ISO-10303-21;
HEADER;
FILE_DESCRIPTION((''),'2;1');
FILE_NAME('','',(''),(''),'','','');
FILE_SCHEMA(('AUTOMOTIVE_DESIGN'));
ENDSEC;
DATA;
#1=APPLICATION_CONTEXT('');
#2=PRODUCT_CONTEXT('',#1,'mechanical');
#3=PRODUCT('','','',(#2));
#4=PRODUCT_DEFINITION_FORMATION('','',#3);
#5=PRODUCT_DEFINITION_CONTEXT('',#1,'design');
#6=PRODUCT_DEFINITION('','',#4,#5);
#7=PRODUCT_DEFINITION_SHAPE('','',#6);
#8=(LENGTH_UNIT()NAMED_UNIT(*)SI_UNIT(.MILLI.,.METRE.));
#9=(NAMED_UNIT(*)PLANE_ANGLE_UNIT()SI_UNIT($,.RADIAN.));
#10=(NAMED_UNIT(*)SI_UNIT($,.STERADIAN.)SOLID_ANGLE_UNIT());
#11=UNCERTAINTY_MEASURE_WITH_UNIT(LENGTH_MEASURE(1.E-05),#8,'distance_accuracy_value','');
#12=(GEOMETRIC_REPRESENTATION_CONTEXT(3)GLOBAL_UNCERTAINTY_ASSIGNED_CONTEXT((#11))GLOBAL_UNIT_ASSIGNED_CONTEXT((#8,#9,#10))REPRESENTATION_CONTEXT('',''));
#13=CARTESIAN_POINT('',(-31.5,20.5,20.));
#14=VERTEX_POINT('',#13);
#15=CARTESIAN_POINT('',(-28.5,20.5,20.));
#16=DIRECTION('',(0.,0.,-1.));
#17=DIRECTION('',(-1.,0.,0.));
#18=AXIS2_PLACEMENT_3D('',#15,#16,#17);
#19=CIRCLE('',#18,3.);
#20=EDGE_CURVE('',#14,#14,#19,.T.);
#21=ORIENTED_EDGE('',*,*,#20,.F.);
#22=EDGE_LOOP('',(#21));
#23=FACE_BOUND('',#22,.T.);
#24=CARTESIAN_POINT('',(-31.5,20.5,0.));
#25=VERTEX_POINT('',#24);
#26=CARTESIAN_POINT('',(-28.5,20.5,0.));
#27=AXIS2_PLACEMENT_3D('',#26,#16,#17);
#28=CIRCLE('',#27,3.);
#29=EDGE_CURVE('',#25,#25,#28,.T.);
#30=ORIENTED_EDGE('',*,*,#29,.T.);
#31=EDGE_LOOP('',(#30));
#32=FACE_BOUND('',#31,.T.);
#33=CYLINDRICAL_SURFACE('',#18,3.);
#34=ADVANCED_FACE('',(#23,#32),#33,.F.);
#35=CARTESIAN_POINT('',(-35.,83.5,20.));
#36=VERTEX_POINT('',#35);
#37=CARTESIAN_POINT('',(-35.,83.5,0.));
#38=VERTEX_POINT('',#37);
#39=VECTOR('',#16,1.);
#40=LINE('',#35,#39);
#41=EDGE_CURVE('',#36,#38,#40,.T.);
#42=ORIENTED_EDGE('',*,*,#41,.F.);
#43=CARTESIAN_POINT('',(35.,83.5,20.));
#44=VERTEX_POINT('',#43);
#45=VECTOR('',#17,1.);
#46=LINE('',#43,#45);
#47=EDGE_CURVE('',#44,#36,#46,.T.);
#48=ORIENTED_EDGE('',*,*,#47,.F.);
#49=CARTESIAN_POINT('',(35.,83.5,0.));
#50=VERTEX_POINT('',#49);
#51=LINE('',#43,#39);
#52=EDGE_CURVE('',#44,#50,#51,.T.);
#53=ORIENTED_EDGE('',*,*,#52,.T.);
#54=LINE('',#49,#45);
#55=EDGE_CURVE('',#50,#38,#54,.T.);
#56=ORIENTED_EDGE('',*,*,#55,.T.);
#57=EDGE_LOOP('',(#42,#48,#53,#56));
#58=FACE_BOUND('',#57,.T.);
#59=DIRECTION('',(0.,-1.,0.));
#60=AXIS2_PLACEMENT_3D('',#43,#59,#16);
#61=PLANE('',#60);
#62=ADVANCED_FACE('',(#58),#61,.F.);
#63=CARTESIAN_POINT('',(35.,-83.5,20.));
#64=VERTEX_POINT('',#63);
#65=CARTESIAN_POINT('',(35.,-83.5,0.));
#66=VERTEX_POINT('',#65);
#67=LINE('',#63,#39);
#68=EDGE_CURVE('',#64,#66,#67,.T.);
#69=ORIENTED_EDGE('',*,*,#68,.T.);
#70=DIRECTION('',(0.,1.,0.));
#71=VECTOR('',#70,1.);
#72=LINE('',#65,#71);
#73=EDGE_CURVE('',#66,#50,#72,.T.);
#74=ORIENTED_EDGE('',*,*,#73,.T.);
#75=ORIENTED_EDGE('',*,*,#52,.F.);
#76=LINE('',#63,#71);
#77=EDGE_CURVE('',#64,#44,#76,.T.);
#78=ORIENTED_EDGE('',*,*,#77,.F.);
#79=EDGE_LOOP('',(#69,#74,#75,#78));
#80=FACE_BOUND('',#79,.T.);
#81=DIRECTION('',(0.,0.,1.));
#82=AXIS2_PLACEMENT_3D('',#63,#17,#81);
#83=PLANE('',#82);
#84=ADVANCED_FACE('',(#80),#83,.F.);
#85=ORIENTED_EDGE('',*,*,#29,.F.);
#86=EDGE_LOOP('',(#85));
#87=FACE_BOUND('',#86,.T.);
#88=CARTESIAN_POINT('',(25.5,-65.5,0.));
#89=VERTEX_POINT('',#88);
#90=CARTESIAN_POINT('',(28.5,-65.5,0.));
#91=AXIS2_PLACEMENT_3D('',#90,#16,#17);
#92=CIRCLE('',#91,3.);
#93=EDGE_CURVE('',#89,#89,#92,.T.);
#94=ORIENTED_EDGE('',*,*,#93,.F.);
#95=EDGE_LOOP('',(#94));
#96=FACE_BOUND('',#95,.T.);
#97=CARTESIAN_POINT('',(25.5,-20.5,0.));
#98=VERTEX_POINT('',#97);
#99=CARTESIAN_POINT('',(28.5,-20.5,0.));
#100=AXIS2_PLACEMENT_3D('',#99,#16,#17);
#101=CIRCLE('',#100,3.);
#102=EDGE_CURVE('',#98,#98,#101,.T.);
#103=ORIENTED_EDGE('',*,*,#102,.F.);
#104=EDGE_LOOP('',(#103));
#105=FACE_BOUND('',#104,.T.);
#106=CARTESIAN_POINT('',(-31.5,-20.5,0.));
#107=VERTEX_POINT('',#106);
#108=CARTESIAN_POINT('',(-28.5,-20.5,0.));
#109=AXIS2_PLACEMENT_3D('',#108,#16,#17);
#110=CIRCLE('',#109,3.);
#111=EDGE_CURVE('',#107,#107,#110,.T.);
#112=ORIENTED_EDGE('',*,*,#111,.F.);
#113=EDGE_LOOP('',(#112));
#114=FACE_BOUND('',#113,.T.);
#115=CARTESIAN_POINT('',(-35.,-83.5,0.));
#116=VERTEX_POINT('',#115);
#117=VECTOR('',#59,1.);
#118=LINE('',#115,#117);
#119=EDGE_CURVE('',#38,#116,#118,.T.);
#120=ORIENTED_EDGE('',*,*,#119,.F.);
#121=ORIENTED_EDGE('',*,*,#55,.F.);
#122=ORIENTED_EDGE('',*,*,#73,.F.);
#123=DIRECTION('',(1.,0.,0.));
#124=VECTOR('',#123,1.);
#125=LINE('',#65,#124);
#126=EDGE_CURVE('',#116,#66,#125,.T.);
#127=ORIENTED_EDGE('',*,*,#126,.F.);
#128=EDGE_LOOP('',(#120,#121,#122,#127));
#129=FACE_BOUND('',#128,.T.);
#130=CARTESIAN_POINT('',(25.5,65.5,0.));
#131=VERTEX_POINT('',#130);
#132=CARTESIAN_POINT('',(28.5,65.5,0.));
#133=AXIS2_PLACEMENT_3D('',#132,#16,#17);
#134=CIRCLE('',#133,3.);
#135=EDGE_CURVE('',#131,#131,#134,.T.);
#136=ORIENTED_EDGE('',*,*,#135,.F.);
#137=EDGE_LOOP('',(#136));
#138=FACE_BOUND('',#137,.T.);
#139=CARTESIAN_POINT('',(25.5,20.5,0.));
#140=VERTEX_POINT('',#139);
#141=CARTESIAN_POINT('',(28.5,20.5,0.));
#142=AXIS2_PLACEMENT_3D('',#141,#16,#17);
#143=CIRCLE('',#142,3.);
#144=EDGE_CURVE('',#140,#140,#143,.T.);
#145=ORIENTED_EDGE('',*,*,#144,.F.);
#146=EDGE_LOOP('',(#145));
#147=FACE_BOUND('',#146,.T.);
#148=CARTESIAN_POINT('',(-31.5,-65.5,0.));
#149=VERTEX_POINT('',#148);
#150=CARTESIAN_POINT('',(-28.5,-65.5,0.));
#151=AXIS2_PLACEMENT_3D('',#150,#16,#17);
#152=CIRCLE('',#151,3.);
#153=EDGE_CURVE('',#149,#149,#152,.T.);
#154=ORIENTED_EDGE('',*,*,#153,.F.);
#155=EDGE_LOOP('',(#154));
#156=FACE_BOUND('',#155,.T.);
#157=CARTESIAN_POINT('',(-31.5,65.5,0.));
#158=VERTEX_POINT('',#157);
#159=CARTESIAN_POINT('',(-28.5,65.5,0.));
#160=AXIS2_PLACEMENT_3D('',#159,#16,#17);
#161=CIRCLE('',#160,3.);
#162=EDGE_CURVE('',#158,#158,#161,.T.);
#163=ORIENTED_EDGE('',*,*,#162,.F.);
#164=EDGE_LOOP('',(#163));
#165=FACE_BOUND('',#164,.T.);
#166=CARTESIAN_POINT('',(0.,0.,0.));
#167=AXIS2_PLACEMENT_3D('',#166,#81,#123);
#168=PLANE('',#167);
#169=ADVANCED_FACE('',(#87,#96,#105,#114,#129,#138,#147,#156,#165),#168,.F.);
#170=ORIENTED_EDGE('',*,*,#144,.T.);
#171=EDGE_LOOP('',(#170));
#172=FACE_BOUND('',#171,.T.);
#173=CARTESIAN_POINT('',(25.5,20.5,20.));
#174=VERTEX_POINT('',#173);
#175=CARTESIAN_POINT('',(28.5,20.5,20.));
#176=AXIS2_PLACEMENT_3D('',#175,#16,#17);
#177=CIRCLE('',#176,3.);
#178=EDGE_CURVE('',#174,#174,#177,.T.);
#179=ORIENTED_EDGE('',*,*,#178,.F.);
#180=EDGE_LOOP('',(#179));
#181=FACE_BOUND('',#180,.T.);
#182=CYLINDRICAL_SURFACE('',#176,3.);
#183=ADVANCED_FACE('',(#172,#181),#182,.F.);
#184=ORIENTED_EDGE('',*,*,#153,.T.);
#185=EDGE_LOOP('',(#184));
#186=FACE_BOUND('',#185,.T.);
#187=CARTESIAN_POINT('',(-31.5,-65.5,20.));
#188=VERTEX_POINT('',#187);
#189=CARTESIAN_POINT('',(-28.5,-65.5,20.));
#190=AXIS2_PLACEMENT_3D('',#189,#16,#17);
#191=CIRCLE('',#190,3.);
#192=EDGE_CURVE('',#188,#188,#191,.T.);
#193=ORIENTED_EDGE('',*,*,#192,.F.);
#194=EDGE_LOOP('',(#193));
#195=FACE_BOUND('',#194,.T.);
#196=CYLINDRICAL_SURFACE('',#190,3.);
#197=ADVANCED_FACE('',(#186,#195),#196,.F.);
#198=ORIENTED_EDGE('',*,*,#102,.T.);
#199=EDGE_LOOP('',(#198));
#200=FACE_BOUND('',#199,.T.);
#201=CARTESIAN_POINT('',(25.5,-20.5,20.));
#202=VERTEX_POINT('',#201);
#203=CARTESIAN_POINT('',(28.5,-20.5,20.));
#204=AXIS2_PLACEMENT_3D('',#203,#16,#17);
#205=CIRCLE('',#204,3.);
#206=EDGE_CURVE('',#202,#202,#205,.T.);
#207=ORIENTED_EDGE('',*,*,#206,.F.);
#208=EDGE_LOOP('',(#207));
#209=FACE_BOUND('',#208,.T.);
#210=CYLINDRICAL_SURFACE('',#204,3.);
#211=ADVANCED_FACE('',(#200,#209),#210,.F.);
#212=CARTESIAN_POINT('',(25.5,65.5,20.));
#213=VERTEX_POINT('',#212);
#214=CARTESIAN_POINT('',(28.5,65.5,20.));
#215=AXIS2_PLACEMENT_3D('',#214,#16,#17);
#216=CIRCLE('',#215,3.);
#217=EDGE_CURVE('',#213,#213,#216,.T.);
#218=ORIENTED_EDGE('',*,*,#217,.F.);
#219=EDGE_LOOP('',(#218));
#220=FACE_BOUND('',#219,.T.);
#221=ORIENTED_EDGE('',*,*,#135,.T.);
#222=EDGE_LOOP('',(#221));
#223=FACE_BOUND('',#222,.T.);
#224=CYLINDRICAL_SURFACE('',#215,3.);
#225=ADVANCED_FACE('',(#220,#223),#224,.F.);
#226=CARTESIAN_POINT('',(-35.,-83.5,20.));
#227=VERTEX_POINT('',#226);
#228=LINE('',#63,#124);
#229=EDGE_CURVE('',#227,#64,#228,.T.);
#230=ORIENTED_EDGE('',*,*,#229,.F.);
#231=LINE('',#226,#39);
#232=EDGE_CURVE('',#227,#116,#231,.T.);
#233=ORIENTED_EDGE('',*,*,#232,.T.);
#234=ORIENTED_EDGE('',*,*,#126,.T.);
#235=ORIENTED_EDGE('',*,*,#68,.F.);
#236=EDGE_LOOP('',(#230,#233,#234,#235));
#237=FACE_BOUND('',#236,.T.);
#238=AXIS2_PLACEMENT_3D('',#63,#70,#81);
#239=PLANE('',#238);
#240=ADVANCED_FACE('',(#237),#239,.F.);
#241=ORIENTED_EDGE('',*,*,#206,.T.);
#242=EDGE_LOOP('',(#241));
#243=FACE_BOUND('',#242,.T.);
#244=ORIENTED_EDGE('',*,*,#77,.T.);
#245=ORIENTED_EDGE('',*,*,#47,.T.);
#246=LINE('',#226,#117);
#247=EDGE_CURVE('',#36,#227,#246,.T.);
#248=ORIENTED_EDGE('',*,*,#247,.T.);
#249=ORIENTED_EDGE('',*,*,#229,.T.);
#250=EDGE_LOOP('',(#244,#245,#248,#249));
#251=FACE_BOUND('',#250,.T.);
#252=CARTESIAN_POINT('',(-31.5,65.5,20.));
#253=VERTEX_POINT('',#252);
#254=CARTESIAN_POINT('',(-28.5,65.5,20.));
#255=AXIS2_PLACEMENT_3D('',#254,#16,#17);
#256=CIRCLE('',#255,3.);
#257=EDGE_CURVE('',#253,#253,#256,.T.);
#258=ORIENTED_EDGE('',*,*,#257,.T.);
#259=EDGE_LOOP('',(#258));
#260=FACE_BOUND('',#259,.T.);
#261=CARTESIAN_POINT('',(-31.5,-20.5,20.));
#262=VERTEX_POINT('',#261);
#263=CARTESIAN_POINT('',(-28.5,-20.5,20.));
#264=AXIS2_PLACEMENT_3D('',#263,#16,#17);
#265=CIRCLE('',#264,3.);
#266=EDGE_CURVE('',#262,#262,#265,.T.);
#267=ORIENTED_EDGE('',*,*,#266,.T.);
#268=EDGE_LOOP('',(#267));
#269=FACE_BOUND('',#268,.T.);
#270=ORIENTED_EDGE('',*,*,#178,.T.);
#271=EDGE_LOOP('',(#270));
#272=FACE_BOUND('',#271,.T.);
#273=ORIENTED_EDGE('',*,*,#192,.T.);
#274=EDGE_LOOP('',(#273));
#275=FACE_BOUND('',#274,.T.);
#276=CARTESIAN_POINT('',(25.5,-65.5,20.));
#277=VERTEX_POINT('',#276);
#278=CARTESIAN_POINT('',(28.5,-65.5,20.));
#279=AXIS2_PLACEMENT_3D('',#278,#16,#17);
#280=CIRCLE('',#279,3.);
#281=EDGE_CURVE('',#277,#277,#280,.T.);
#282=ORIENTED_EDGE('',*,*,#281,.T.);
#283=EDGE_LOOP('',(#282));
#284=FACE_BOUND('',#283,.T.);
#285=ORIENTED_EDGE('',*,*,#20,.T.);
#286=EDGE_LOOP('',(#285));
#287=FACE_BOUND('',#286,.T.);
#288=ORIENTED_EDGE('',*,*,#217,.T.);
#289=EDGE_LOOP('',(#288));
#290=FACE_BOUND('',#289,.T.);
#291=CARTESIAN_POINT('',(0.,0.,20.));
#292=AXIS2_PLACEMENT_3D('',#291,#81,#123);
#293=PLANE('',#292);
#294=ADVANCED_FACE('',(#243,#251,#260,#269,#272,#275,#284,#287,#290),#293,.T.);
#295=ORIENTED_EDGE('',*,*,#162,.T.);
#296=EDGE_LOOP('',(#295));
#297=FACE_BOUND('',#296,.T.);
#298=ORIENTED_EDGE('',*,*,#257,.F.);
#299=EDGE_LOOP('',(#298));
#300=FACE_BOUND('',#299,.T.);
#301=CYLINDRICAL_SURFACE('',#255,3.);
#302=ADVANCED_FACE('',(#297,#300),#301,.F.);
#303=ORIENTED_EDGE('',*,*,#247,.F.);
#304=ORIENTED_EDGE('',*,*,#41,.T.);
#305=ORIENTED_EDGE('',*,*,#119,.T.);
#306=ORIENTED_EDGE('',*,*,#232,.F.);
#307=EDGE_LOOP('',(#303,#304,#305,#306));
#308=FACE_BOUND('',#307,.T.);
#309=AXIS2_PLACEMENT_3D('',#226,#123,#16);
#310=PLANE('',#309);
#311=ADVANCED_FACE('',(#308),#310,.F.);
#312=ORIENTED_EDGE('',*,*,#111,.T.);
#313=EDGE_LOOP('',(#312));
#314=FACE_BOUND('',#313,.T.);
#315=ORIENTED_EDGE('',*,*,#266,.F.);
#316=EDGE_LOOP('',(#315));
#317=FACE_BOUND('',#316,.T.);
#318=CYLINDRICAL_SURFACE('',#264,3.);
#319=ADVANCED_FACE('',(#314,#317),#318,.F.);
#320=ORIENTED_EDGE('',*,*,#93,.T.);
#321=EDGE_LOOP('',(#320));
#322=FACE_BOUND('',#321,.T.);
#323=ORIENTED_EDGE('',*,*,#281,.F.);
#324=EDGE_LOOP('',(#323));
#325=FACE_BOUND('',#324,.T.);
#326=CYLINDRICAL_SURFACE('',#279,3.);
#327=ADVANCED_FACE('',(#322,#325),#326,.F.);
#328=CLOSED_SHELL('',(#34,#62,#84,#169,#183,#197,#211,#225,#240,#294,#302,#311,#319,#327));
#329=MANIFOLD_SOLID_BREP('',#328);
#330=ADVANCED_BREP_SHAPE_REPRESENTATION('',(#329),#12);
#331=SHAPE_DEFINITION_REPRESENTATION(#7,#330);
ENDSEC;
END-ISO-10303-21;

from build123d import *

# Parameters (mm, degrees)
SCHIZZO1_W                   = 70
SCHIZZO1_H                   = 167
ESTRUSIONE_ESTRUSIONE1_DEPTH = 20
SCHIZZO2_R                   = 3
TAGLIO_ESTRUSIONE1_DEPTH     = 20


with BuildPart() as part:
    # Schizzo1 → Estrusione-Estrusione1 (new body)
    with BuildSketch(Plane.XY):
        Rectangle(SCHIZZO1_W, SCHIZZO1_H)
    extrude(amount=ESTRUSIONE_ESTRUSIONE1_DEPTH)

    # Schizzo2 → Taglio-Estrusione1 (cut)
    with BuildSketch(Plane(origin=(0, 0, 0), x_dir=(-1, 0, 0), z_dir=(0, 0, -1))):
        with Locations((-28.5, 65.5)):
            Circle(SCHIZZO2_R)
        with Locations((28.5, 65.5)):
            Circle(SCHIZZO2_R)
        with Locations((-28.5, 20.5)):
            Circle(SCHIZZO2_R)
        with Locations((28.5, 20.5)):
            Circle(SCHIZZO2_R)
        with Locations((-28.5, -20.5)):
            Circle(SCHIZZO2_R)
        with Locations((28.5, -20.5)):
            Circle(SCHIZZO2_R)
        with Locations((-28.5, -65.5)):
            Circle(SCHIZZO2_R)
        with Locations((28.5, -65.5)):
            Circle(SCHIZZO2_R)
    extrude(amount=-TAGLIO_ESTRUSIONE1_DEPTH, mode=Mode.SUBTRACT)


solid = part.part
